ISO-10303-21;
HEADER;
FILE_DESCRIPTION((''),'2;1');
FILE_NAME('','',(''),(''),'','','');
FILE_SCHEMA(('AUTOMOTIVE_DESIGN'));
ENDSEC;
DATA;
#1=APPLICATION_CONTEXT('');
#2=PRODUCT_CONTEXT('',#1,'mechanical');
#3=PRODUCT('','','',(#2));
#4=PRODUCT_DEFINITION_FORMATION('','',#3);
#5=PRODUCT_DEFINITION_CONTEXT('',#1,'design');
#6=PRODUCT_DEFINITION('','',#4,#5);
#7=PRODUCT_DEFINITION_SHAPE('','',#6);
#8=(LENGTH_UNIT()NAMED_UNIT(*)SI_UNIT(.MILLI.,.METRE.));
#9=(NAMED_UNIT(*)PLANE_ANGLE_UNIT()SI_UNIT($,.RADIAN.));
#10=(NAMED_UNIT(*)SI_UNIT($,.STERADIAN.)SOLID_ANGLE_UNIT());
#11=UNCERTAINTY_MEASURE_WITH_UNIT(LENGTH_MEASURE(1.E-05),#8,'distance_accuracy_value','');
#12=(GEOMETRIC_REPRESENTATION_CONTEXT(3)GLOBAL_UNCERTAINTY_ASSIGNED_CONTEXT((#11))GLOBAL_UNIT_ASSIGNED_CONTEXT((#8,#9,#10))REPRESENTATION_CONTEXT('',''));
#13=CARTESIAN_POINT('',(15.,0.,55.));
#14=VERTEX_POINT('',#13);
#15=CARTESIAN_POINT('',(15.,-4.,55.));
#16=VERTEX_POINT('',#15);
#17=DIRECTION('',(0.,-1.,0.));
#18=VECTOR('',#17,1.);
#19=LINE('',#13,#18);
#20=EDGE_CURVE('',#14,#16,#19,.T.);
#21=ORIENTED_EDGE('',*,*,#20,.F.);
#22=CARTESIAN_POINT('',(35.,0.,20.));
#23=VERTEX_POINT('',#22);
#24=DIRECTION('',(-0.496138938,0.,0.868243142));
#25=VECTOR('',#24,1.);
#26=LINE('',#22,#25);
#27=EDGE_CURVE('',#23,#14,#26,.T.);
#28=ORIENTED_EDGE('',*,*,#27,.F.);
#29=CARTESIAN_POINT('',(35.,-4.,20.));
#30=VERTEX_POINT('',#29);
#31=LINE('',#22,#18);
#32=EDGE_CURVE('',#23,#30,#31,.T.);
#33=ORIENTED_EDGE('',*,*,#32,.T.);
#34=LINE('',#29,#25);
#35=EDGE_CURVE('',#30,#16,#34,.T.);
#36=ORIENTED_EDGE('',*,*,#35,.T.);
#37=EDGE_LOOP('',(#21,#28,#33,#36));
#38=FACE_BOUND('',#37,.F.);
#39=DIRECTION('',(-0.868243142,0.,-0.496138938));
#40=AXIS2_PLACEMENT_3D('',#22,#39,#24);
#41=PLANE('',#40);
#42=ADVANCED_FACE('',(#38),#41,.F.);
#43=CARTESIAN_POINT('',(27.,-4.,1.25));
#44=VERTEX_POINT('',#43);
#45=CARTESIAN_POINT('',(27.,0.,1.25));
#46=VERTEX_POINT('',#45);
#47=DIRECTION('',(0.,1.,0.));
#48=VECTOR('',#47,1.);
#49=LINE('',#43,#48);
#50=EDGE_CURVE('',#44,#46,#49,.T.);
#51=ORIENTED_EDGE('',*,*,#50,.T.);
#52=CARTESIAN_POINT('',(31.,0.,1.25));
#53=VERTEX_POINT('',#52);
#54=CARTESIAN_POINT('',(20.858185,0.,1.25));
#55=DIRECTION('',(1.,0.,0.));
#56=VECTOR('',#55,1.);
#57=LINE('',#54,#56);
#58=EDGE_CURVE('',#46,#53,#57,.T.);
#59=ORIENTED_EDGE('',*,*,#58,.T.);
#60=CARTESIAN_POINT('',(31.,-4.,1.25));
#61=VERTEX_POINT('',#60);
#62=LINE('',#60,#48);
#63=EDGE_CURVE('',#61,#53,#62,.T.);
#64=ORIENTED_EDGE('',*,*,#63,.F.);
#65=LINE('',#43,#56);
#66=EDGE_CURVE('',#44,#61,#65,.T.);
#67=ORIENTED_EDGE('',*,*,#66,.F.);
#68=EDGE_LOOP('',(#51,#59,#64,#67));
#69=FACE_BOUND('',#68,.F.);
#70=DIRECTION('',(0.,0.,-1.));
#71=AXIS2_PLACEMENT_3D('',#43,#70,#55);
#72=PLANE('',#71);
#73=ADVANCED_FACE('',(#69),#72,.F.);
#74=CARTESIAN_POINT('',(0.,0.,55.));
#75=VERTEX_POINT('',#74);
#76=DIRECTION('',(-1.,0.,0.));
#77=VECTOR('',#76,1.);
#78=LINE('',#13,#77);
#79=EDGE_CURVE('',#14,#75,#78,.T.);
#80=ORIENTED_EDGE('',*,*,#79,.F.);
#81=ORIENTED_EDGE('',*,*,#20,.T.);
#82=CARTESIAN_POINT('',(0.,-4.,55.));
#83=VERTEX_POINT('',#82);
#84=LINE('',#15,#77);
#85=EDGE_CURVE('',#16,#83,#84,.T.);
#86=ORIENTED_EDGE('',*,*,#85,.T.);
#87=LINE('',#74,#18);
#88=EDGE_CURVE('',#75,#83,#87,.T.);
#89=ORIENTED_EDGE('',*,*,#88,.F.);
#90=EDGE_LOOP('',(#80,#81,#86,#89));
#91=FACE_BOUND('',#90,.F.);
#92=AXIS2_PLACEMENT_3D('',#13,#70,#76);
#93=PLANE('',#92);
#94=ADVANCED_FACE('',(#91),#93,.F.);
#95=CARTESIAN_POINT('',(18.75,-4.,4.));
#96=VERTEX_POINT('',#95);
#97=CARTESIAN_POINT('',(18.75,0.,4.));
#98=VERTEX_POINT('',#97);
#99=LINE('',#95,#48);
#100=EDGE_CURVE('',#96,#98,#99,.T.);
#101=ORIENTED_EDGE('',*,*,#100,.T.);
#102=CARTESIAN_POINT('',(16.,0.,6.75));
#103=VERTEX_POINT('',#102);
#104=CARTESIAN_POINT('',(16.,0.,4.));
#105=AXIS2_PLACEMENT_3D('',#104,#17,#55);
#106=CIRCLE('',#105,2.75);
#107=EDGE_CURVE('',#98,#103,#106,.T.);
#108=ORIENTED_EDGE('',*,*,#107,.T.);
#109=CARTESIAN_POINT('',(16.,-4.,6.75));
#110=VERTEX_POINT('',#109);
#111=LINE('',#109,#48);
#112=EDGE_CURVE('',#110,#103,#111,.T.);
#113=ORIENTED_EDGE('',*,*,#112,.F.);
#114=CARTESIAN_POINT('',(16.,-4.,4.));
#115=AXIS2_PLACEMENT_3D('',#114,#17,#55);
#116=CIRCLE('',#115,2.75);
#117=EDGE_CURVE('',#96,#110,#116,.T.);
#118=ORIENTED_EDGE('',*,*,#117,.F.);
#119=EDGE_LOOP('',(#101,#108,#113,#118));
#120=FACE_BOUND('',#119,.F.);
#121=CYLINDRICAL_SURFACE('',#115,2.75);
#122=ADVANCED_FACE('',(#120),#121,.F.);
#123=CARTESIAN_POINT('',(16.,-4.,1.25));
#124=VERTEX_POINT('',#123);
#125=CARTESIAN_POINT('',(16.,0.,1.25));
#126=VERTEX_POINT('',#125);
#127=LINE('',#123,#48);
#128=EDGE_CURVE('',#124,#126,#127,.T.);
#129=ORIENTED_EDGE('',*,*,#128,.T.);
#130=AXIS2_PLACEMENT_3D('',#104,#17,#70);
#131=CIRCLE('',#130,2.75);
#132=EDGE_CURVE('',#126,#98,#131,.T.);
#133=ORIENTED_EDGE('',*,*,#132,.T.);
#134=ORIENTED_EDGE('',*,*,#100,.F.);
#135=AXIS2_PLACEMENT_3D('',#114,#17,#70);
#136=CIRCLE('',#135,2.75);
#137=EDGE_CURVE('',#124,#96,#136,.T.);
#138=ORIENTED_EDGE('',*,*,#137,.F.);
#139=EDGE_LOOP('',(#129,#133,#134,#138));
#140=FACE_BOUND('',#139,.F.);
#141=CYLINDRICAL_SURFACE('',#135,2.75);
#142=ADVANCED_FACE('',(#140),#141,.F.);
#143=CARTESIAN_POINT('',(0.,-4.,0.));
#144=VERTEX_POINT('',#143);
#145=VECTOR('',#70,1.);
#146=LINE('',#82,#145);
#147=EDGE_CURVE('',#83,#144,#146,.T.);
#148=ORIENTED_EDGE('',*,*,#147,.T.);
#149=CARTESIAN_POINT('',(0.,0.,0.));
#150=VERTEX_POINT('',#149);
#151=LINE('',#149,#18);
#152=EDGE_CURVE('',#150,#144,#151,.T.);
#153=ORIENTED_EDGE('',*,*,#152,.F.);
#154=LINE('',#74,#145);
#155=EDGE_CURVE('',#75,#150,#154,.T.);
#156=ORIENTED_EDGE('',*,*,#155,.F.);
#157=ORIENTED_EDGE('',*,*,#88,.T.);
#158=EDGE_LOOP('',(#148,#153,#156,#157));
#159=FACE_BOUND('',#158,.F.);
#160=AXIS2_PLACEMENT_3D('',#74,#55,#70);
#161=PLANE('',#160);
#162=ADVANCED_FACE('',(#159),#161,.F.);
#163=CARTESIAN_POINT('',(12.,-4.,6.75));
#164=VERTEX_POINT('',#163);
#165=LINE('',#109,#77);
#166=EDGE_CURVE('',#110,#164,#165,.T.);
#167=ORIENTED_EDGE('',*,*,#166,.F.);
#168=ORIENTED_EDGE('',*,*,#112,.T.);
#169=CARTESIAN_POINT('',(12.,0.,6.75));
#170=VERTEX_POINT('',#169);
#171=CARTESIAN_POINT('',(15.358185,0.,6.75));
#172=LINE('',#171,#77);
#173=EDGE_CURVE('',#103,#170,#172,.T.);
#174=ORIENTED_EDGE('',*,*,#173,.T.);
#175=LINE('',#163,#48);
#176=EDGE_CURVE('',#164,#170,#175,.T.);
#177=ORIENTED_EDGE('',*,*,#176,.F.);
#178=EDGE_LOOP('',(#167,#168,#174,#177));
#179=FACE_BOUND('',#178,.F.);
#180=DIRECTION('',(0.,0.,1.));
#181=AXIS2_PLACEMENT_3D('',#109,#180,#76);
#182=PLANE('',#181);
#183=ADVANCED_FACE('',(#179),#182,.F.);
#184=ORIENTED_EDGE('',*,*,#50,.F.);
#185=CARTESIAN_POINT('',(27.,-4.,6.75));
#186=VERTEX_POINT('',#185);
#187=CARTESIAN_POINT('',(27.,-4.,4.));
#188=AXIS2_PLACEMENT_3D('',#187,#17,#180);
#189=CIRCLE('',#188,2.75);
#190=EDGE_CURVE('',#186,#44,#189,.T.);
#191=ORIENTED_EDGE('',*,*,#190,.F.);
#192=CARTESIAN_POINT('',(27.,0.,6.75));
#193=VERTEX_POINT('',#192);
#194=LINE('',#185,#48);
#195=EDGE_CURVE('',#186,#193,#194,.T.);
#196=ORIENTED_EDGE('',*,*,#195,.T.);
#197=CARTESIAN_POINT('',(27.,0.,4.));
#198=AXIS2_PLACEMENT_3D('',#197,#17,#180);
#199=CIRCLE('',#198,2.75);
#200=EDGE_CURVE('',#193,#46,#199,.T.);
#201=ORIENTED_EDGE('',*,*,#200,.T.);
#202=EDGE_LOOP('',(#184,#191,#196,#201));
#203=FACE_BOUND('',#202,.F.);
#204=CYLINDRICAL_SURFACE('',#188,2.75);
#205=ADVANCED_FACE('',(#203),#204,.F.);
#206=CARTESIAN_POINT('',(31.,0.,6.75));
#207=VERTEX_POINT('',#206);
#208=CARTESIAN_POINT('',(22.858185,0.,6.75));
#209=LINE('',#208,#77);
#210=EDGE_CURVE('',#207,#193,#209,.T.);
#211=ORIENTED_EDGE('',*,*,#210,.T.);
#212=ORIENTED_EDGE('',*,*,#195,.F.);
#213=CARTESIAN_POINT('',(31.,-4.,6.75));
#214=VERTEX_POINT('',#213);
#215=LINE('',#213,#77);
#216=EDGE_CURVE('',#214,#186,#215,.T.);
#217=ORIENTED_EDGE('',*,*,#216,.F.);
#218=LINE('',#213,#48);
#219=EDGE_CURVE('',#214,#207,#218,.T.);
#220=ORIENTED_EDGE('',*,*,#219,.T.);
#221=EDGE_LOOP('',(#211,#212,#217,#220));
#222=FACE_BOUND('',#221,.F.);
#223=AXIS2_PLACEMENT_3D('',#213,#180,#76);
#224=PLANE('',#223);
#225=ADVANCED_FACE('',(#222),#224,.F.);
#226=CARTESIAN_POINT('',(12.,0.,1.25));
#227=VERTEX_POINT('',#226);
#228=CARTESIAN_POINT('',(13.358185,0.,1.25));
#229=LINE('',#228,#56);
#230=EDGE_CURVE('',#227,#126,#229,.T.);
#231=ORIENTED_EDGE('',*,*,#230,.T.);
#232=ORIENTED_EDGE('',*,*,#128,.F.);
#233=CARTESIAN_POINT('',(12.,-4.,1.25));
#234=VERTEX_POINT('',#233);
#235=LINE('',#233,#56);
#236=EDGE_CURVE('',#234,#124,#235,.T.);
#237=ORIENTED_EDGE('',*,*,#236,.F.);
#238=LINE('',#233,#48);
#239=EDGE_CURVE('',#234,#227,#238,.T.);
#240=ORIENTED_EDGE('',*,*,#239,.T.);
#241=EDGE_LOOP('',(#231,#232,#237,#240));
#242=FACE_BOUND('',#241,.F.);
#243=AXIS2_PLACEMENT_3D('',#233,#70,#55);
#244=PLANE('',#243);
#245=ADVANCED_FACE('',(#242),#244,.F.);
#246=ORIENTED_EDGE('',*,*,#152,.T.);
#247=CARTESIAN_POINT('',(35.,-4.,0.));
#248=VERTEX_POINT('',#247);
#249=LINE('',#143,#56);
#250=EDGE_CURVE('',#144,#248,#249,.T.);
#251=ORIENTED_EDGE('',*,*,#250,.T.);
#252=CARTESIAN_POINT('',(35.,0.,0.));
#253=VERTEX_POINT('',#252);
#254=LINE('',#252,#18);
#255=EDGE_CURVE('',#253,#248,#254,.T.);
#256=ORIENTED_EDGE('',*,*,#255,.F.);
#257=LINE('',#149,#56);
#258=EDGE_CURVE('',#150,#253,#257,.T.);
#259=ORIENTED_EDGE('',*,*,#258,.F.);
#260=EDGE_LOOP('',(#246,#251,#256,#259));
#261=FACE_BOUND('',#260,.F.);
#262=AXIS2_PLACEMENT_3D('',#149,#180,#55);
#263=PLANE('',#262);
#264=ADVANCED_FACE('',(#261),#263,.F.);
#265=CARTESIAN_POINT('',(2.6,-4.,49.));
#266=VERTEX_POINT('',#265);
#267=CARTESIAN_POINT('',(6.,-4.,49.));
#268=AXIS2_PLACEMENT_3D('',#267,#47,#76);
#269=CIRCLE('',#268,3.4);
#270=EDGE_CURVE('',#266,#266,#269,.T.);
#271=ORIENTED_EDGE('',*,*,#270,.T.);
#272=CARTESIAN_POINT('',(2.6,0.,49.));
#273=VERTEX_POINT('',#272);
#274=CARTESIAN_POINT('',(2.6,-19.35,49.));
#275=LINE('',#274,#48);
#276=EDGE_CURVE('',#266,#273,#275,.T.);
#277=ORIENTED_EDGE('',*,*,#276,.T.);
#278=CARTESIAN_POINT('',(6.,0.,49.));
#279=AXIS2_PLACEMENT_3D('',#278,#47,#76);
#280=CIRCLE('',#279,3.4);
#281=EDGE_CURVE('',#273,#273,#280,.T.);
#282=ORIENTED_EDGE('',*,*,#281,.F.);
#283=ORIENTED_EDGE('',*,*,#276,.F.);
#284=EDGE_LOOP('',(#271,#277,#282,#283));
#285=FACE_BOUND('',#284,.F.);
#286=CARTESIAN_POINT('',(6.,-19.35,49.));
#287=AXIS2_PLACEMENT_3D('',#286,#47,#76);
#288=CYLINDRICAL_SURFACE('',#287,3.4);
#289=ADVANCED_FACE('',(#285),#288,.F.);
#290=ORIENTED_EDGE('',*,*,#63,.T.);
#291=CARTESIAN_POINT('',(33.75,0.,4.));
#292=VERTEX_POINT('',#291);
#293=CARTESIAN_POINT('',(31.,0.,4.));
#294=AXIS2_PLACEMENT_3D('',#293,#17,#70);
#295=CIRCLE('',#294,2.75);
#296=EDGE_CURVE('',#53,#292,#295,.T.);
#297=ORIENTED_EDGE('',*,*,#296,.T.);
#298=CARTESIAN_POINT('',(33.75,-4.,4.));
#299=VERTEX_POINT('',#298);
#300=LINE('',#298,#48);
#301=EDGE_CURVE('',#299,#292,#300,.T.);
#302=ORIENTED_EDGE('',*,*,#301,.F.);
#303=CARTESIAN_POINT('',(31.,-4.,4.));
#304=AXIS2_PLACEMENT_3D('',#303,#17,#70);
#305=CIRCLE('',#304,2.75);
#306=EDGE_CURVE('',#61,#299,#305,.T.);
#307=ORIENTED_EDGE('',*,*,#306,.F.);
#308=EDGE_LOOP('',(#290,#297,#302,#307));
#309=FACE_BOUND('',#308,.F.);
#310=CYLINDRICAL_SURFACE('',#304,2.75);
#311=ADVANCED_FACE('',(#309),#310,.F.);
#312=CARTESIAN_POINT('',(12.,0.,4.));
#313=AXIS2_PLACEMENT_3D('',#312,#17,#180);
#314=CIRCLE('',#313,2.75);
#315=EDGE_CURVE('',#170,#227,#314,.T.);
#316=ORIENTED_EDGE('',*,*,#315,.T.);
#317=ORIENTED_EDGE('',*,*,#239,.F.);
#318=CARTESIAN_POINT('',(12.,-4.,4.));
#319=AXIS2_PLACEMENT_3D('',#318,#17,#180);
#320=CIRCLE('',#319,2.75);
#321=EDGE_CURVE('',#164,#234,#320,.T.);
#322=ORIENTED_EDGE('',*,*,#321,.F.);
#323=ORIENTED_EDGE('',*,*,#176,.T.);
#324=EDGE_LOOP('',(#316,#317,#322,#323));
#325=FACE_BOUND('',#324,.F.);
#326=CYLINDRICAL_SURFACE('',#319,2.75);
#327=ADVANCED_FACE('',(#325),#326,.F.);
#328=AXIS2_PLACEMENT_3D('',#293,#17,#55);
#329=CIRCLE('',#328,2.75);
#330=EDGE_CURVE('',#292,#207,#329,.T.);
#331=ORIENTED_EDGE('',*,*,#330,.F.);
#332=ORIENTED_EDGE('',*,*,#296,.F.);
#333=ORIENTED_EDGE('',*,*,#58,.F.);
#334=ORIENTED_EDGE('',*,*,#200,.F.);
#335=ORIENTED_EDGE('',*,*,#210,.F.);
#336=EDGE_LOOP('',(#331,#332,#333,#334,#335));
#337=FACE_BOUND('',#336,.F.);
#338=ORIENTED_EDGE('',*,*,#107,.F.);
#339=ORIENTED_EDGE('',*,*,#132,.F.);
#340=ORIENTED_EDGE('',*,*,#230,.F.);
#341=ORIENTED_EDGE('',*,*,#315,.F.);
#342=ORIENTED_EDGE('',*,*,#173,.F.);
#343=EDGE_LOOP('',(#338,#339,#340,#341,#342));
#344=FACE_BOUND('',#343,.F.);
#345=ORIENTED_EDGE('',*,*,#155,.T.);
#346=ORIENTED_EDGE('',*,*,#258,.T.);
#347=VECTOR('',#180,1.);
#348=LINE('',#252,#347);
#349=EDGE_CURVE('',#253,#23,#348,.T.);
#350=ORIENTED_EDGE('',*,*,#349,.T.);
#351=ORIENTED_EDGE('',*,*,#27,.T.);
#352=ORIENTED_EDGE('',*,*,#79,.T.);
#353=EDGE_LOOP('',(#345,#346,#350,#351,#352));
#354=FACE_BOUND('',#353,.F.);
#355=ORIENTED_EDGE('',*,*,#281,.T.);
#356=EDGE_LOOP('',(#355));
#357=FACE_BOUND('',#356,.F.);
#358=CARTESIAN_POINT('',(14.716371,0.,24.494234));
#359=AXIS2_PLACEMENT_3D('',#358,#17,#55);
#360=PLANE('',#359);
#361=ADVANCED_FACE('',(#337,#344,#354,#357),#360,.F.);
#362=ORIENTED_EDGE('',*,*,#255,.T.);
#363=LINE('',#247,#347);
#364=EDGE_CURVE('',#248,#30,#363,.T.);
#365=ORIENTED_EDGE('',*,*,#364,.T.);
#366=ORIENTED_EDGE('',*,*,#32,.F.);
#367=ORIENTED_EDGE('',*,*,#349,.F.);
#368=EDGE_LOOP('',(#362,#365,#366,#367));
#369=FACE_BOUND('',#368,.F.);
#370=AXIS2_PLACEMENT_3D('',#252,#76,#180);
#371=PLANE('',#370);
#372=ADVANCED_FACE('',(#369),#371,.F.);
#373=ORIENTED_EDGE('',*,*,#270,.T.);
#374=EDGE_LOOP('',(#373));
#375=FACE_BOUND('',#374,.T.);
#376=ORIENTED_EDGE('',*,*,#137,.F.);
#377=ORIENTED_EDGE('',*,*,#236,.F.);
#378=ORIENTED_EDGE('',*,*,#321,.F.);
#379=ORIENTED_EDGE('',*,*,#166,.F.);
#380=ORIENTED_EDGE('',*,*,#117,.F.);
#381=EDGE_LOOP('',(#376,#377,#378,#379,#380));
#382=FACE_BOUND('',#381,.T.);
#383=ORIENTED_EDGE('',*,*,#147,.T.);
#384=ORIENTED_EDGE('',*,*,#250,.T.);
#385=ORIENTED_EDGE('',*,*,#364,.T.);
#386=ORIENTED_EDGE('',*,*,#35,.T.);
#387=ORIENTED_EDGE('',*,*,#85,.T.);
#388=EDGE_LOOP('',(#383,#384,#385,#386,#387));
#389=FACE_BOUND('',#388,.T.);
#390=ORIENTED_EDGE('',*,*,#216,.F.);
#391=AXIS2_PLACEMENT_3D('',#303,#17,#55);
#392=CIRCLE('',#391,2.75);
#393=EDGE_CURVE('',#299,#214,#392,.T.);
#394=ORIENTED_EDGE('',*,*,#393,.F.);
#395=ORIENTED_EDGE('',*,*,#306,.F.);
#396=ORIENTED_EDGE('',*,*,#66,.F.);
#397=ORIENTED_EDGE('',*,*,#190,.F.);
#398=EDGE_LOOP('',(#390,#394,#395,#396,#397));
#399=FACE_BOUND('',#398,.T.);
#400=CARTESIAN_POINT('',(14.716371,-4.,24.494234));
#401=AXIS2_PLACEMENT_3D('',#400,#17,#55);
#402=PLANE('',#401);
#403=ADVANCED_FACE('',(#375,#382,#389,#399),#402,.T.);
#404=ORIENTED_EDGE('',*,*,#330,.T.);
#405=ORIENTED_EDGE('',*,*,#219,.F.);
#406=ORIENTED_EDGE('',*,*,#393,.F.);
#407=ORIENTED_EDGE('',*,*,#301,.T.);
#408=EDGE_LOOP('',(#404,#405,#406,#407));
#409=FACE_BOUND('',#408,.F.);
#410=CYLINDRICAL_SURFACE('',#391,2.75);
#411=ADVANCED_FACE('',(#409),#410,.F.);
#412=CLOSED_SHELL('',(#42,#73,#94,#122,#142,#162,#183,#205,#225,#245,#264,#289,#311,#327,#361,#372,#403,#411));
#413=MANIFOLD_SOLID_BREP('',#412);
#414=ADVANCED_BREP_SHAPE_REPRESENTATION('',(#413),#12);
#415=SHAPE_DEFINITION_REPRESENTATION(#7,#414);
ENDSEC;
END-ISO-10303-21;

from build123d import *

# Parameters (mm, degrees)
F1_DEPTH = 4
F3_DEPTH = 25
F4_D     = 6.8
F4_DEPTH = 15.35
F4_TIP   = 2.0429261047


with BuildPart() as f1:
    # F0 (on Front) → F1 (new body)
    with BuildSketch(Plane.XZ):
        Polygon((0, 55), (0, 0), (35, 0), (35, 20), (15, 55), align=None)
    extrude(amount=F1_DEPTH)

    # F2 (on face) → F3 (cut)
    with BuildSketch(Plane.XZ.offset(4)):
        with BuildLine():
            ThreePointArc((31, 1.25), (32.9445436483, 2.0554563517), (33.75, 4))
            ThreePointArc((33.75, 4), (32.9445436483, 5.9445436483), (31, 6.75))
            ThreePointArc((31, 6.75), (29.910966294, 6.5251743677), (29, 5.8874586088))
            ThreePointArc((29, 5.8874586088), (29.5556310375, 5.0155048006), (29.75, 4))
            ThreePointArc((29.75, 4), (29.5556310375, 2.9844951994), (29, 2.1125413912))
            ThreePointArc((29, 2.1125413912), (29.910966294, 1.4748256323), (31, 1.25))
        make_face()
        with BuildLine():
            ThreePointArc((29, 5.8874586088), (29.910966294, 6.5251743677), (31, 6.75))
            Line((31, 6.75), (27, 6.75))
            ThreePointArc((27, 6.75), (28.089033706, 6.5251743677), (29, 5.8874586088))
        make_face()
        with BuildLine():
            Line((27, 1.25), (31, 1.25))
            ThreePointArc((31, 1.25), (29.910966294, 1.4748256323), (29, 2.1125413912))
            ThreePointArc((29, 2.1125413912), (28.089033706, 1.4748256323), (27, 1.25))
        make_face()
        with BuildLine():
            ThreePointArc((29, 2.1125413912), (28.25, 4), (29, 5.8874586088))
            ThreePointArc((29, 5.8874586088), (28.089033706, 6.5251743677), (27, 6.75))
            ThreePointArc((27, 6.75), (24.25, 4), (27, 1.25))
            ThreePointArc((27, 1.25), (28.089033706, 1.4748256323), (29, 2.1125413912))
        make_face()
        with BuildLine():
            ThreePointArc((16, 1.25), (17.9445436483, 2.0554563517), (18.75, 4))
            ThreePointArc((18.75, 4), (17.9445436483, 5.9445436483), (16, 6.75))
            ThreePointArc((16, 6.75), (14.910966294, 6.5251743677), (14, 5.8874586088))
            ThreePointArc((14, 5.8874586088), (14.5556310375, 5.0155048006), (14.75, 4))
            ThreePointArc((14.75, 4), (14.5556310375, 2.9844951994), (14, 2.1125413912))
            ThreePointArc((14, 2.1125413912), (14.910966294, 1.4748256323), (16, 1.25))
        make_face()
        with BuildLine():
            ThreePointArc((14, 5.8874586088), (14.910966294, 6.5251743677), (16, 6.75))
            Line((16, 6.75), (12, 6.75))
            ThreePointArc((12, 6.75), (13.089033706, 6.5251743677), (14, 5.8874586088))
        make_face()
        with BuildLine():
            Line((12, 1.25), (16, 1.25))
            ThreePointArc((16, 1.25), (14.910966294, 1.4748256323), (14, 2.1125413912))
            ThreePointArc((14, 2.1125413912), (13.089033706, 1.4748256323), (12, 1.25))
        make_face()
        with BuildLine():
            ThreePointArc((14, 2.1125413912), (13.25, 4), (14, 5.8874586088))
            ThreePointArc((14, 5.8874586088), (13.089033706, 6.5251743677), (12, 6.75))
            ThreePointArc((12, 6.75), (9.25, 4), (12, 1.25))
            ThreePointArc((12, 1.25), (13.089033706, 1.4748256323), (14, 2.1125413912))
        make_face()
        with BuildLine():
            ThreePointArc((14.75, 4), (14.5556310375, 5.0155048006), (14, 5.8874586088))
            ThreePointArc((14, 5.8874586088), (13.25, 4), (14, 2.1125413912))
            ThreePointArc((14, 2.1125413912), (14.5556310375, 2.9844951994), (14.75, 4))
        make_face()
        with BuildLine():
            ThreePointArc((29.75, 4), (29.5556310375, 5.0155048006), (29, 5.8874586088))
            ThreePointArc((29, 5.8874586088), (28.25, 4), (29, 2.1125413912))
            ThreePointArc((29, 2.1125413912), (29.5556310375, 2.9844951994), (29.75, 4))
        make_face()
    extrude(amount=-F3_DEPTH, mode=Mode.SUBTRACT)

    # F4
    with Locations(Plane.XZ.offset(4)):
        with Locations((6, 49)):
            Hole(F4_D / 2, depth=F4_DEPTH)
            with Locations((0, 0, -(F4_DEPTH + F4_TIP / 2))):  # 118° drill point
                Cone(0, F4_D / 2, F4_TIP, mode=Mode.SUBTRACT)


solid = f1.part
